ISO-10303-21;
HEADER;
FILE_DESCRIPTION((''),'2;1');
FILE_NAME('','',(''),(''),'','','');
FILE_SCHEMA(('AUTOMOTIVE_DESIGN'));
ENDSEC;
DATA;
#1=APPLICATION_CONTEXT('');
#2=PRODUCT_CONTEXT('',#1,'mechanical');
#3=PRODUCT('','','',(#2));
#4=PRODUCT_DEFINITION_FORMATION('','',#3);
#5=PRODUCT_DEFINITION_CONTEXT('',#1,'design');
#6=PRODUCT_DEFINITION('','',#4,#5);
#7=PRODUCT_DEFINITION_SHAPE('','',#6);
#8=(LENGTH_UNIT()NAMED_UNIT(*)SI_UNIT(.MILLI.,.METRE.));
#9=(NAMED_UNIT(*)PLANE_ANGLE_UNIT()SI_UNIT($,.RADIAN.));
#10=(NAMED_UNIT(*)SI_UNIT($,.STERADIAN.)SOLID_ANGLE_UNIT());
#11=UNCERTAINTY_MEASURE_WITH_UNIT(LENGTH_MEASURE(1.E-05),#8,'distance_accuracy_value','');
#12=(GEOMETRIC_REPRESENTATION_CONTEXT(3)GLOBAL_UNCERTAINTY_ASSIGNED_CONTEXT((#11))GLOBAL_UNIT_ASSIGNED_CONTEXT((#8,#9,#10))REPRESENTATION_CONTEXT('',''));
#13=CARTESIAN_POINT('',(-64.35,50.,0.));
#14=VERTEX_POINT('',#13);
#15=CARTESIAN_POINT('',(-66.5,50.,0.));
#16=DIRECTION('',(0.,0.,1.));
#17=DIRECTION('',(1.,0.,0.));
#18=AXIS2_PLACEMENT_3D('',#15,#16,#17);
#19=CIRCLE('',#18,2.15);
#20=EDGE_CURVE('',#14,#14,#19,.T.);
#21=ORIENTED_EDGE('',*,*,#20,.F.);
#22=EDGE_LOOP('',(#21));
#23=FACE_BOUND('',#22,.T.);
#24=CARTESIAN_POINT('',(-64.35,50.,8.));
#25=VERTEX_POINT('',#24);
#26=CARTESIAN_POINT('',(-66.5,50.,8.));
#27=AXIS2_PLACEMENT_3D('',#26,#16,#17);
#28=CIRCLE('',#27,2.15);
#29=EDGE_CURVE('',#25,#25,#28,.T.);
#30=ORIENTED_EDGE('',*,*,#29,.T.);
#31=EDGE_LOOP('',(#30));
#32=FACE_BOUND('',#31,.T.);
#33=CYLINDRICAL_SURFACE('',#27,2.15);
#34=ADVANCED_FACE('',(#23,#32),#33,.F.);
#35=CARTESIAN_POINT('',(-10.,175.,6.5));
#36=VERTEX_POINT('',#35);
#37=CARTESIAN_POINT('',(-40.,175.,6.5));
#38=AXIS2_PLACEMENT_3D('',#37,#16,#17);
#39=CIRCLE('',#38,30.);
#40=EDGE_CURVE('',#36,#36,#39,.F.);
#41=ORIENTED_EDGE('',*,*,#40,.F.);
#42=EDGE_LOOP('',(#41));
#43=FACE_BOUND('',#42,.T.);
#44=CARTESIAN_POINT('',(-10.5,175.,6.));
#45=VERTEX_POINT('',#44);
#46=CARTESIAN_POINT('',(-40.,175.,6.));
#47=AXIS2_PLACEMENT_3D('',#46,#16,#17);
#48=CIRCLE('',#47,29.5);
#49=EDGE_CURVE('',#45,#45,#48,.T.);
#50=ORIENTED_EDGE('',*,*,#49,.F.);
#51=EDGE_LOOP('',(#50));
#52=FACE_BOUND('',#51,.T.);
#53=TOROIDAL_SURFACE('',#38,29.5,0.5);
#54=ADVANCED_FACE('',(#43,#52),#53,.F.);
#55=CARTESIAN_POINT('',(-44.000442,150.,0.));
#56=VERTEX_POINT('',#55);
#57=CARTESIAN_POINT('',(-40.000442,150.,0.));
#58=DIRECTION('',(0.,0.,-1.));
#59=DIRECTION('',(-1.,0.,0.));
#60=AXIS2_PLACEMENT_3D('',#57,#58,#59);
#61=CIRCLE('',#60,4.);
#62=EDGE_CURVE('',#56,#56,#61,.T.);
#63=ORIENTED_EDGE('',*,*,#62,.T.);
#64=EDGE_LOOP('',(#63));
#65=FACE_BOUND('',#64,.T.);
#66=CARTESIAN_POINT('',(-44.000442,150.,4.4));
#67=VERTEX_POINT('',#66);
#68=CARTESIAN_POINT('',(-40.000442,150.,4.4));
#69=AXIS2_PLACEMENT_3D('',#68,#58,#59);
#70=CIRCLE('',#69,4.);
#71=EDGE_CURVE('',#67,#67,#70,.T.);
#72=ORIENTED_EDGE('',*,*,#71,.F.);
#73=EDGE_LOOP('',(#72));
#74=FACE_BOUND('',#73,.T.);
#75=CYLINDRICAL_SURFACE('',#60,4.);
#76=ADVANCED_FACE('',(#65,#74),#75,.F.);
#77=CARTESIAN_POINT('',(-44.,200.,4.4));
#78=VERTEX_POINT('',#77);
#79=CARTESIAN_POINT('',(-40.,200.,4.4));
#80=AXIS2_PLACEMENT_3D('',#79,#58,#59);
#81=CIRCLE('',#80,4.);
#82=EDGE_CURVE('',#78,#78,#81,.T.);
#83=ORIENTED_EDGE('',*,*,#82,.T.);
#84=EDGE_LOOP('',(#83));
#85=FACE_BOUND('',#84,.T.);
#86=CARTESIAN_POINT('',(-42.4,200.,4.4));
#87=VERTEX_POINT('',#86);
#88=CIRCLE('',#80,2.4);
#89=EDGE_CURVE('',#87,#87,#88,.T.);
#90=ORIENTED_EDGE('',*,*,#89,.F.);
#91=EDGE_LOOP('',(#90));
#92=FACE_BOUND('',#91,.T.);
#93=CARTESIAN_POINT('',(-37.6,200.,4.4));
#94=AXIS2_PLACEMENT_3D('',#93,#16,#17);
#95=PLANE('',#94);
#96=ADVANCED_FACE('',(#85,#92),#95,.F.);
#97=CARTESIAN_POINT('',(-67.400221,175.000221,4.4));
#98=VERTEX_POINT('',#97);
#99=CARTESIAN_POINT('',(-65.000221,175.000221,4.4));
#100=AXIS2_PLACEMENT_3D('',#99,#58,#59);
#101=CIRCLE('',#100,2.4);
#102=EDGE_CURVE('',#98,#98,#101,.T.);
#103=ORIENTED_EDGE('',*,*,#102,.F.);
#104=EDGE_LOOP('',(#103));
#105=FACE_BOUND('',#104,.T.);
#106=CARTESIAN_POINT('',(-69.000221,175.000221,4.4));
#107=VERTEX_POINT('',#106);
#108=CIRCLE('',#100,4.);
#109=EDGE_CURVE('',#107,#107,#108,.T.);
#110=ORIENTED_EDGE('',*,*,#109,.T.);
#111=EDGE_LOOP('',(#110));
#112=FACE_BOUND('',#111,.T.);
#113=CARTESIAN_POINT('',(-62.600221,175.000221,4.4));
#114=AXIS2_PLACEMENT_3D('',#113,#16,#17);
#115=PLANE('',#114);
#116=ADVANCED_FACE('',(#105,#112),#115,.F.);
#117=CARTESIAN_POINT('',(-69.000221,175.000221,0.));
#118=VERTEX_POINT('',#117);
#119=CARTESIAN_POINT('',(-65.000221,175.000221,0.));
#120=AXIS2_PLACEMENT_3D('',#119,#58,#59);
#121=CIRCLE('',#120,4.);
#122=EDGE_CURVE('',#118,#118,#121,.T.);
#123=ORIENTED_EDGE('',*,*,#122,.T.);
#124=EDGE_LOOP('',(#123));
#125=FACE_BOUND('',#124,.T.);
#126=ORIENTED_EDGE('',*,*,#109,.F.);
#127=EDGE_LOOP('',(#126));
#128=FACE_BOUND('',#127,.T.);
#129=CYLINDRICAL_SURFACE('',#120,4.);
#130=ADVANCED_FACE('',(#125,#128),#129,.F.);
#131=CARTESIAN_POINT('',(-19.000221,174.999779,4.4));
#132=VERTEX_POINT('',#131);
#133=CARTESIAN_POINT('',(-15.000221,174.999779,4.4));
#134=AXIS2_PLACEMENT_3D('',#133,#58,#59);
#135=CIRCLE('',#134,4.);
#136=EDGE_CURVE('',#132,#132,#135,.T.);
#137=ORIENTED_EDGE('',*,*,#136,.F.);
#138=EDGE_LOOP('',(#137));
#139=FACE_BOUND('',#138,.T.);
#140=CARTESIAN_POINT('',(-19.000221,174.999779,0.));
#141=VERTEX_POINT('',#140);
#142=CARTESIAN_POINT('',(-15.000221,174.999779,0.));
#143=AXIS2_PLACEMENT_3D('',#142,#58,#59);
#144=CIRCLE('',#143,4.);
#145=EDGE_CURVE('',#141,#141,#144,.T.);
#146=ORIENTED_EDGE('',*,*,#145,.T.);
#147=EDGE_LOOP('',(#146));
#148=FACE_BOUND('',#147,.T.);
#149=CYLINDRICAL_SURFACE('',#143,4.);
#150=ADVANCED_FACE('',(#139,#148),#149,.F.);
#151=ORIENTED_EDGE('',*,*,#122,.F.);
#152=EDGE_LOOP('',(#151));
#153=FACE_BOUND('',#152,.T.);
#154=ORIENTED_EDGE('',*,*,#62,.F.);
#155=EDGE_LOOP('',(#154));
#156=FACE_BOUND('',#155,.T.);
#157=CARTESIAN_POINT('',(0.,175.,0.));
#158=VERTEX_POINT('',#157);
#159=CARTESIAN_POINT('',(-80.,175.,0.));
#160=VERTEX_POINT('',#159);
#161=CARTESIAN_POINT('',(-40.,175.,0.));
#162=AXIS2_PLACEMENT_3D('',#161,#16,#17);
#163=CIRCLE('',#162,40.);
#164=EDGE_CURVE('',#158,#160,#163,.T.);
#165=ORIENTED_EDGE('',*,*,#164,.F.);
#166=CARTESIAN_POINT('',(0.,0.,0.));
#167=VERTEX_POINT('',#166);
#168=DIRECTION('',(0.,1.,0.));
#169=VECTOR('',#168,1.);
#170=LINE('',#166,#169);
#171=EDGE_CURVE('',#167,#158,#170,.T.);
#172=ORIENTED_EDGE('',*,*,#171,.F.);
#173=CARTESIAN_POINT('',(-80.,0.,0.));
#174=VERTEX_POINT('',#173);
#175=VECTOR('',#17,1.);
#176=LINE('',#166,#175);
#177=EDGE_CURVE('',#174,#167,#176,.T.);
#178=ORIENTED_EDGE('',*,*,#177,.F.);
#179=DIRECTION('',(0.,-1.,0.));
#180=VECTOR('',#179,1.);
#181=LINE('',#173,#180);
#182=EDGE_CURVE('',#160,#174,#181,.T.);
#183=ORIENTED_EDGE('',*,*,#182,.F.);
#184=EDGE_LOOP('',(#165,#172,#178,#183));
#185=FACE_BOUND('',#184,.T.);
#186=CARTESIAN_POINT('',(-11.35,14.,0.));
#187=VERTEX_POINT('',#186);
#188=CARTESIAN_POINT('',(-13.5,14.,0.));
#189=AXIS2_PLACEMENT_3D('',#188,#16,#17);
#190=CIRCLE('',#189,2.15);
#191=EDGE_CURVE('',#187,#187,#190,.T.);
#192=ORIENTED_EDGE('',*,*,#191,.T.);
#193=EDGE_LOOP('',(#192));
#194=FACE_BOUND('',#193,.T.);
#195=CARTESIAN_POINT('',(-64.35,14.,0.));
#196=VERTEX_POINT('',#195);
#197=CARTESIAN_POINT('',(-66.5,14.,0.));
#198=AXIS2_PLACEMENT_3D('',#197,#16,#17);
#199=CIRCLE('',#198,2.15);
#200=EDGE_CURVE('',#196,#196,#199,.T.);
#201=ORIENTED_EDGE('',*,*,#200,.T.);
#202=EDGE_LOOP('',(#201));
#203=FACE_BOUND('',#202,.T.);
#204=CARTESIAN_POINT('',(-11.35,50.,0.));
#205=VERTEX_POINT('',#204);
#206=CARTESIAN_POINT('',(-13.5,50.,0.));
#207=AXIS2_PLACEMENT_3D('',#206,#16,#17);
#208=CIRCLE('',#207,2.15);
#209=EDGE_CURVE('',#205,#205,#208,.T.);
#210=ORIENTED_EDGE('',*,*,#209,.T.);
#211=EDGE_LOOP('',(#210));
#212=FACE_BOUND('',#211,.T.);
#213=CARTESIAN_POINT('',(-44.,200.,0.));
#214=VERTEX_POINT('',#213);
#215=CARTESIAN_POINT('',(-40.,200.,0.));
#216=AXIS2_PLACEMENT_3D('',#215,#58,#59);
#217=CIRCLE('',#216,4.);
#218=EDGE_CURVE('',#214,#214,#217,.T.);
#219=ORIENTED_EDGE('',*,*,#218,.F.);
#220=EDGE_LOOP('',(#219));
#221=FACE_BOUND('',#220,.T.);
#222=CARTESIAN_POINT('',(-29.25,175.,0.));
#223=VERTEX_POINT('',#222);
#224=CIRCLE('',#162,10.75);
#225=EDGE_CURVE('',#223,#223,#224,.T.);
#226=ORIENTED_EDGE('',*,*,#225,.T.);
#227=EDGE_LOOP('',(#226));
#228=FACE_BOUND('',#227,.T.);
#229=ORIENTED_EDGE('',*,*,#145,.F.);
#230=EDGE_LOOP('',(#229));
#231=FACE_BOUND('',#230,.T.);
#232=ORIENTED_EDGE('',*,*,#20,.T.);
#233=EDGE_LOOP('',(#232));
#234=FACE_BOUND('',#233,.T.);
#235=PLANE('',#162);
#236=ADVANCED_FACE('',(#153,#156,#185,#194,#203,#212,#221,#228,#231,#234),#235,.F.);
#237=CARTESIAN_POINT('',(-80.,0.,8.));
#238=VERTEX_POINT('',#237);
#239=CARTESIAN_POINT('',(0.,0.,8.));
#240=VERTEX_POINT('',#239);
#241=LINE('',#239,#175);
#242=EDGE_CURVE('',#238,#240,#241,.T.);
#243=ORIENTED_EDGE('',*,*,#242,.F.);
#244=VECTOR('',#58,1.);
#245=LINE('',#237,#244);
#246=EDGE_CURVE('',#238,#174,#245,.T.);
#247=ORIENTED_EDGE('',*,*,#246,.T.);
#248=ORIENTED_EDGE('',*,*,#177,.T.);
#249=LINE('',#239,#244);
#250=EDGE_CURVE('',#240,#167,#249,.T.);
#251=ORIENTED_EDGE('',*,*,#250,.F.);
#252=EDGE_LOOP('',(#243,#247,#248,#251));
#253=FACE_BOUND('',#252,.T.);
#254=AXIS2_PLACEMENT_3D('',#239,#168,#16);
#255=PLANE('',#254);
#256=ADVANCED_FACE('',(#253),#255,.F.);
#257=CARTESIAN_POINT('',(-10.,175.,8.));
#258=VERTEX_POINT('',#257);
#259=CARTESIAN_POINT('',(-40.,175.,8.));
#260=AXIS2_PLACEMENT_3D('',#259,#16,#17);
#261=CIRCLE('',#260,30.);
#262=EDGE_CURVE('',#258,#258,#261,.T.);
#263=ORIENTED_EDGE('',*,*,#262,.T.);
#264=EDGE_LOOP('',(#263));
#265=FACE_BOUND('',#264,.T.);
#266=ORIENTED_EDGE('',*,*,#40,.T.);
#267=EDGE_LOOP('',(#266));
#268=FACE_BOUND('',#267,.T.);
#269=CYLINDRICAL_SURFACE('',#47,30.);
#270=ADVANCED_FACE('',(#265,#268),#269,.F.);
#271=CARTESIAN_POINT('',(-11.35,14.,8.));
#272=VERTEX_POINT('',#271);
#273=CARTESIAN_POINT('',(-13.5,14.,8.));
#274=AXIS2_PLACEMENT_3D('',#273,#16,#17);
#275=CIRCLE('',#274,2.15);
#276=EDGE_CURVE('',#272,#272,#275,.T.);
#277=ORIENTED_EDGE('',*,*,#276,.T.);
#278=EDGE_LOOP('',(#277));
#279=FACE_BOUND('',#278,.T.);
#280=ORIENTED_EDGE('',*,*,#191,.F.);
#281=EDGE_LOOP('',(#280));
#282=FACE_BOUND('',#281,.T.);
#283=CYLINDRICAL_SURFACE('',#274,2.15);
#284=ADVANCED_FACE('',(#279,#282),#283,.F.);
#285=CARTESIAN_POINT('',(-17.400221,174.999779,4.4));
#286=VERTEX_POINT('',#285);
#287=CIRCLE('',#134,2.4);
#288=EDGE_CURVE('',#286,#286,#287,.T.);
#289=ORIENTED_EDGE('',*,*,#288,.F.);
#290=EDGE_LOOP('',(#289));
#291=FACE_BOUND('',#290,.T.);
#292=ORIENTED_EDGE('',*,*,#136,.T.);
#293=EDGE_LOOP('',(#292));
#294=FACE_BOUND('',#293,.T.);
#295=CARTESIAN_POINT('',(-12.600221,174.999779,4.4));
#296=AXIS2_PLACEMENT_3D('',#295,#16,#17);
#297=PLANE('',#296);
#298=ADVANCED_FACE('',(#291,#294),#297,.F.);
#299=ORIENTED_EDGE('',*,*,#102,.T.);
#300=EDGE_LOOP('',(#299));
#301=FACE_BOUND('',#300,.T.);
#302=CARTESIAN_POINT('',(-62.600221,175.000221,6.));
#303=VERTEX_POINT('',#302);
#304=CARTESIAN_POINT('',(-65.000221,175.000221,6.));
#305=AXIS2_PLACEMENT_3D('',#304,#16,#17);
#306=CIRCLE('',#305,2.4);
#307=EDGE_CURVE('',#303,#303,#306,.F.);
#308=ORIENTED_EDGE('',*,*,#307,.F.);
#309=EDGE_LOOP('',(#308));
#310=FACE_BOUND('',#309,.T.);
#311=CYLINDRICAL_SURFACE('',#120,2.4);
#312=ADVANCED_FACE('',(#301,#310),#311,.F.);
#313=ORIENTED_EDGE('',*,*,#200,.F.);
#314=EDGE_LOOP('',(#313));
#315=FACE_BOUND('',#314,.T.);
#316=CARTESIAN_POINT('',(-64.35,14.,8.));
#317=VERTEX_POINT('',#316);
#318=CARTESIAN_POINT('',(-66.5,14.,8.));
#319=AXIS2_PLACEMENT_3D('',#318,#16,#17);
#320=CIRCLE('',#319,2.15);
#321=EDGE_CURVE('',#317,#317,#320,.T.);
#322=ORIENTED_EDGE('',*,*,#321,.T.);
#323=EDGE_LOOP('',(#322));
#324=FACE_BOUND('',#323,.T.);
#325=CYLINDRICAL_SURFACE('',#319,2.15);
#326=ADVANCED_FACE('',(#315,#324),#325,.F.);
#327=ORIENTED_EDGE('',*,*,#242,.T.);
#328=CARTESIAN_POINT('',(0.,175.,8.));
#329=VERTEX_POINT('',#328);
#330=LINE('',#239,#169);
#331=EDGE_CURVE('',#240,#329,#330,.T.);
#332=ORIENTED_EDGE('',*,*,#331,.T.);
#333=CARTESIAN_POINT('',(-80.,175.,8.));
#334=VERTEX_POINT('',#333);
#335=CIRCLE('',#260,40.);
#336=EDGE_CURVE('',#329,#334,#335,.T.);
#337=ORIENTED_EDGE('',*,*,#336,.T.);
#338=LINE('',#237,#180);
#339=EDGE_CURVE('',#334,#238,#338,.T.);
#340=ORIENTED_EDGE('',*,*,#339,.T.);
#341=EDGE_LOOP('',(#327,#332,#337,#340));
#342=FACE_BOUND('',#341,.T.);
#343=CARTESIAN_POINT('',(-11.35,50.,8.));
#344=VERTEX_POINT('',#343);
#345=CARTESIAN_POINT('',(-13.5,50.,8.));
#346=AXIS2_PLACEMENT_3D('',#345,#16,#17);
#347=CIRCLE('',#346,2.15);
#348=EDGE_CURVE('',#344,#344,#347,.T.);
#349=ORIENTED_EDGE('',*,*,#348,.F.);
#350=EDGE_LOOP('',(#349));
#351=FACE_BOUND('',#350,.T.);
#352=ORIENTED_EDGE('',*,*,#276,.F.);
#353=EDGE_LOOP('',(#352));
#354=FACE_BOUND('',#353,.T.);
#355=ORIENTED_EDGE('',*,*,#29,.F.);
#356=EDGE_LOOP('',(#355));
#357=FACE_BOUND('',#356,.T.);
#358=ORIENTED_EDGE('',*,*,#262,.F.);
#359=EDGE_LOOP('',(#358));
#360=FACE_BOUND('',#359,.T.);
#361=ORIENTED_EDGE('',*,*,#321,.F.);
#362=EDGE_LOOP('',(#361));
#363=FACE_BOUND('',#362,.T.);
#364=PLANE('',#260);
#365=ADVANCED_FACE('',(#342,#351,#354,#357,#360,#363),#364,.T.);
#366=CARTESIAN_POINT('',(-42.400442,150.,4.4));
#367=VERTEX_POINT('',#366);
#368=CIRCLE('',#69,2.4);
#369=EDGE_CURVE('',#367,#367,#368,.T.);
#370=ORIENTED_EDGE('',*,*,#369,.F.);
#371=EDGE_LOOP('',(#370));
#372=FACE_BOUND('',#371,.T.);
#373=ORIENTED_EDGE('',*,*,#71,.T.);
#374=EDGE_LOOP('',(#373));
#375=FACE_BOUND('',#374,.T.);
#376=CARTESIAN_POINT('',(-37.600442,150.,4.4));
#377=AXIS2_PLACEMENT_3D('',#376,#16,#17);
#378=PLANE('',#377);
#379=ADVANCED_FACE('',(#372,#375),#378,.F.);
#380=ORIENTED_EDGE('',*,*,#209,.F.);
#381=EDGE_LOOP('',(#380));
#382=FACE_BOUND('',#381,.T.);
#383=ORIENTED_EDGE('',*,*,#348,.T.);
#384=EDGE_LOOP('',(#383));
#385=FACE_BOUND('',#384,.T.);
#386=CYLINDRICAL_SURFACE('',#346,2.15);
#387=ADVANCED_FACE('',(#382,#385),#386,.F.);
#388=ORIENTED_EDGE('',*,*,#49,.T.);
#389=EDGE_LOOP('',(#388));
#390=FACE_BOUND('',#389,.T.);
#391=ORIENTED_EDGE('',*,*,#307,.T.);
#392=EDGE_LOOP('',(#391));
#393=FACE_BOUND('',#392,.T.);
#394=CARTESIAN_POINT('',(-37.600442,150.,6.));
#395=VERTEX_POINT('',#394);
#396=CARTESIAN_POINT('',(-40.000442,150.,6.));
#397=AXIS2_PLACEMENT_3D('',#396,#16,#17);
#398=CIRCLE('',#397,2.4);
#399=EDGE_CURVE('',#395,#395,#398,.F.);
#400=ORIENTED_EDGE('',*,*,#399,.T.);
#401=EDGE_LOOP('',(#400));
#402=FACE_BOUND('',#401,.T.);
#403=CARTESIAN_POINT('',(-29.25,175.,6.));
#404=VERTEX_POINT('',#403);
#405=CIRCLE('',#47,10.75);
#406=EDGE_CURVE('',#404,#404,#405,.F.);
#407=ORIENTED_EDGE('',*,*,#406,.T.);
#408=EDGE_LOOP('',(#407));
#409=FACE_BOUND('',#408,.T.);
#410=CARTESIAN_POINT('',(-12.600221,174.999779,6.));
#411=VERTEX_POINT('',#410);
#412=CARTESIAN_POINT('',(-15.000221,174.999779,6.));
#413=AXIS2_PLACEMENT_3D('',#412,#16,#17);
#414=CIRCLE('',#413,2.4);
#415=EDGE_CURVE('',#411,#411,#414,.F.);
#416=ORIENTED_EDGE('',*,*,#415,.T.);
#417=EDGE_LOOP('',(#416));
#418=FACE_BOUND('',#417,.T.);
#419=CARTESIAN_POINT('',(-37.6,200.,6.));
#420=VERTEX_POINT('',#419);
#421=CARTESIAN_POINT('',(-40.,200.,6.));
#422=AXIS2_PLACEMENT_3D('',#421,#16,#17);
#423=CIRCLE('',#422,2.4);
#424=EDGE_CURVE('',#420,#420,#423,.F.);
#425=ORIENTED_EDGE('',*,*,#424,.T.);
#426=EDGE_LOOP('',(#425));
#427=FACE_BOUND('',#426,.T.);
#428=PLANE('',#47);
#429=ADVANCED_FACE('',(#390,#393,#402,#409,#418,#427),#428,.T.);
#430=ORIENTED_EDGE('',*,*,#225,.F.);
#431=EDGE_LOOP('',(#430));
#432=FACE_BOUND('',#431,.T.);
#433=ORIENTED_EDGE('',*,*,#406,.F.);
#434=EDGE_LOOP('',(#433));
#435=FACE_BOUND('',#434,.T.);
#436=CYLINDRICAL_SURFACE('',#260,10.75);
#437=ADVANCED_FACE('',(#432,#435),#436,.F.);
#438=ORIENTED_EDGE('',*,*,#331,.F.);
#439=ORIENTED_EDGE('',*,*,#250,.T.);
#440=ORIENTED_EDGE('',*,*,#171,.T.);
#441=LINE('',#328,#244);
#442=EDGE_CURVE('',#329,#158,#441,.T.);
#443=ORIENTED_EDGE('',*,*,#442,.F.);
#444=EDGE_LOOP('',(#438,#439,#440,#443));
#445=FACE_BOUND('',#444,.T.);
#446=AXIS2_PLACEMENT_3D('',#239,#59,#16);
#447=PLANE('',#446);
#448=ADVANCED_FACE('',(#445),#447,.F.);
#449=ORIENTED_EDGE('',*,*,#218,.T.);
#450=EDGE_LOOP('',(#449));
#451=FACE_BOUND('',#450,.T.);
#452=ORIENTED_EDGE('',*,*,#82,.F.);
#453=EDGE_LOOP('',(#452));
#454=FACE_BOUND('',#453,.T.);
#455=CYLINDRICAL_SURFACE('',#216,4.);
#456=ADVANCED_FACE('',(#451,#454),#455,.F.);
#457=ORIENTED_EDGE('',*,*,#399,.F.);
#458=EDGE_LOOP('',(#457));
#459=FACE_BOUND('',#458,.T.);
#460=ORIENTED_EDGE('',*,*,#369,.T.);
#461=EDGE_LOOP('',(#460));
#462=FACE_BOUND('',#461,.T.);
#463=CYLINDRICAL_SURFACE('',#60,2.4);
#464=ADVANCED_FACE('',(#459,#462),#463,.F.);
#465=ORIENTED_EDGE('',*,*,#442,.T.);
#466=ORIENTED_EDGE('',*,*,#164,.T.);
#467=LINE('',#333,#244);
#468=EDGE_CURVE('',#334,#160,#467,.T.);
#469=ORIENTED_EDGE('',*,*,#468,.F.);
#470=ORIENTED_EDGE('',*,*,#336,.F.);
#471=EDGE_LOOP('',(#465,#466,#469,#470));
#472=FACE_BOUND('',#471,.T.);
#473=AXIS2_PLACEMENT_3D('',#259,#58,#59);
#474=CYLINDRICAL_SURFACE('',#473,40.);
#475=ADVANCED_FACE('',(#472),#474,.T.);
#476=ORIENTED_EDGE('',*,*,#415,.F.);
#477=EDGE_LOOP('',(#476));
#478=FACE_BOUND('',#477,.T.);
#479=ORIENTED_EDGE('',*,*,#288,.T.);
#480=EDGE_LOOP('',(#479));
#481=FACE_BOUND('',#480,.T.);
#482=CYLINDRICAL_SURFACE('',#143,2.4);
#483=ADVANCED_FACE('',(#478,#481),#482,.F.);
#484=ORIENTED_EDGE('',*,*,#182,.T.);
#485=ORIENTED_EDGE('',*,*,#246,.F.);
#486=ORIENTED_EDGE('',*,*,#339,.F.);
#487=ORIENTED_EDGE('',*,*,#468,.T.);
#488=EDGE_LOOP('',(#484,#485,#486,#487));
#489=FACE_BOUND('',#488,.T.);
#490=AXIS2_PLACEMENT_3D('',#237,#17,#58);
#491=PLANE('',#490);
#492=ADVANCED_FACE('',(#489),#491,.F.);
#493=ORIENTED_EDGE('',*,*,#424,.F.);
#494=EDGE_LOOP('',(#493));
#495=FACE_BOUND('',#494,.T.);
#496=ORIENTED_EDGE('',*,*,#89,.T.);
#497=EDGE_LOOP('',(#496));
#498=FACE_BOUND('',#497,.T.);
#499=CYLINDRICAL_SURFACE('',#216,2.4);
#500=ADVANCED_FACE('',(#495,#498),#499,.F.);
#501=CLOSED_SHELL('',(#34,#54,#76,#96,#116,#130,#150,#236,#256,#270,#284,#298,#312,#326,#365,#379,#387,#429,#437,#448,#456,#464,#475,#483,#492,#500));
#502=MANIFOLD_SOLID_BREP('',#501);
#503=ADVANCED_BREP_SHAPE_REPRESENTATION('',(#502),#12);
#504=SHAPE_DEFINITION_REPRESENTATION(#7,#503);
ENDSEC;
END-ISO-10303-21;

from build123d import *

# Parameters (mm, degrees)
SKETCH1_R                                           = 5
BOSS_EXTRUDE1_DEPTH                                 = 8
M4_CLEARANCE_HOLE1_D                                = 4.3
F_20_0MM_TRANSITIONAL_DOWEL_HOLE1_D                 = 21.5
CBORE_FOR_M4_HEX_SOCKET_HEAD_CAP_SCREW3_D           = 4.8
CBORE_FOR_M4_HEX_SOCKET_HEAD_CAP_SCREW3_CBORE_D     = 8
CBORE_FOR_M4_HEX_SOCKET_HEAD_CAP_SCREW3_CBORE_DEPTH = 4.4
SKETCH12_R                                          = 30
CUT_EXTRUDE1_DEPTH                                  = 2
FILLET1_R                                           = 0.5


with BuildPart() as part:
    # Sketch1 → Boss-Extrude1 (new body)
    with BuildSketch(Plane.XY):
        with BuildLine():
            Line((0, 0), (-80, 0))
            Line((-80, 0), (-80, 175))
            ThreePointArc((-80, 175), (-40, 215), (0, 175))
            Line((0, 175), (0, 0))
        make_face()
        with Locations((-40, 175)):
            Circle(SKETCH1_R, mode=Mode.SUBTRACT)
    extrude(amount=BOSS_EXTRUDE1_DEPTH)

    # M4 Clearance Hole1 (through all)
    with Locations(Plane.XY.offset(8)):
        with Locations((-66.5, 14), (-13.5, 14), (-13.5, 50), (-66.5, 50)):
            Hole(M4_CLEARANCE_HOLE1_D / 2)

    # Ø20.0mm Transitional Dowel Hole1 (through all)
    with Locations(Plane.XY.offset(8)):
        with Locations((-40, 175)):
            Hole(F_20_0MM_TRANSITIONAL_DOWEL_HOLE1_D / 2)

    # CBORE for M4 Hex Socket Head Cap Screw3 (through all)
    with Locations(Plane(origin=(0, 0, 0), x_dir=(1, 0, 0), z_dir=(0, 0, -1))):
        with Locations((-40, -200), (-15.000221056, -174.999778948), (-40.000442109, -150.000000004), (-65.000221052, -175.000221056)):
            CounterBoreHole(CBORE_FOR_M4_HEX_SOCKET_HEAD_CAP_SCREW3_D / 2, CBORE_FOR_M4_HEX_SOCKET_HEAD_CAP_SCREW3_CBORE_D / 2, CBORE_FOR_M4_HEX_SOCKET_HEAD_CAP_SCREW3_CBORE_DEPTH)

    # Sketch12 → Cut-Extrude1 (cut)
    with BuildSketch(Plane.XY.offset(8)):
        with Locations((-40, 175)):
            Circle(SKETCH12_R)
    extrude(amount=-CUT_EXTRUDE1_DEPTH, mode=Mode.SUBTRACT)

    # Fillet1
    fillet1_edges = [part.edges().sort_by_distance(p)[0] for p in [
        (-70, 175, 6),
    ]]
    fillet(fillet1_edges, radius=FILLET1_R)


solid = part.part
